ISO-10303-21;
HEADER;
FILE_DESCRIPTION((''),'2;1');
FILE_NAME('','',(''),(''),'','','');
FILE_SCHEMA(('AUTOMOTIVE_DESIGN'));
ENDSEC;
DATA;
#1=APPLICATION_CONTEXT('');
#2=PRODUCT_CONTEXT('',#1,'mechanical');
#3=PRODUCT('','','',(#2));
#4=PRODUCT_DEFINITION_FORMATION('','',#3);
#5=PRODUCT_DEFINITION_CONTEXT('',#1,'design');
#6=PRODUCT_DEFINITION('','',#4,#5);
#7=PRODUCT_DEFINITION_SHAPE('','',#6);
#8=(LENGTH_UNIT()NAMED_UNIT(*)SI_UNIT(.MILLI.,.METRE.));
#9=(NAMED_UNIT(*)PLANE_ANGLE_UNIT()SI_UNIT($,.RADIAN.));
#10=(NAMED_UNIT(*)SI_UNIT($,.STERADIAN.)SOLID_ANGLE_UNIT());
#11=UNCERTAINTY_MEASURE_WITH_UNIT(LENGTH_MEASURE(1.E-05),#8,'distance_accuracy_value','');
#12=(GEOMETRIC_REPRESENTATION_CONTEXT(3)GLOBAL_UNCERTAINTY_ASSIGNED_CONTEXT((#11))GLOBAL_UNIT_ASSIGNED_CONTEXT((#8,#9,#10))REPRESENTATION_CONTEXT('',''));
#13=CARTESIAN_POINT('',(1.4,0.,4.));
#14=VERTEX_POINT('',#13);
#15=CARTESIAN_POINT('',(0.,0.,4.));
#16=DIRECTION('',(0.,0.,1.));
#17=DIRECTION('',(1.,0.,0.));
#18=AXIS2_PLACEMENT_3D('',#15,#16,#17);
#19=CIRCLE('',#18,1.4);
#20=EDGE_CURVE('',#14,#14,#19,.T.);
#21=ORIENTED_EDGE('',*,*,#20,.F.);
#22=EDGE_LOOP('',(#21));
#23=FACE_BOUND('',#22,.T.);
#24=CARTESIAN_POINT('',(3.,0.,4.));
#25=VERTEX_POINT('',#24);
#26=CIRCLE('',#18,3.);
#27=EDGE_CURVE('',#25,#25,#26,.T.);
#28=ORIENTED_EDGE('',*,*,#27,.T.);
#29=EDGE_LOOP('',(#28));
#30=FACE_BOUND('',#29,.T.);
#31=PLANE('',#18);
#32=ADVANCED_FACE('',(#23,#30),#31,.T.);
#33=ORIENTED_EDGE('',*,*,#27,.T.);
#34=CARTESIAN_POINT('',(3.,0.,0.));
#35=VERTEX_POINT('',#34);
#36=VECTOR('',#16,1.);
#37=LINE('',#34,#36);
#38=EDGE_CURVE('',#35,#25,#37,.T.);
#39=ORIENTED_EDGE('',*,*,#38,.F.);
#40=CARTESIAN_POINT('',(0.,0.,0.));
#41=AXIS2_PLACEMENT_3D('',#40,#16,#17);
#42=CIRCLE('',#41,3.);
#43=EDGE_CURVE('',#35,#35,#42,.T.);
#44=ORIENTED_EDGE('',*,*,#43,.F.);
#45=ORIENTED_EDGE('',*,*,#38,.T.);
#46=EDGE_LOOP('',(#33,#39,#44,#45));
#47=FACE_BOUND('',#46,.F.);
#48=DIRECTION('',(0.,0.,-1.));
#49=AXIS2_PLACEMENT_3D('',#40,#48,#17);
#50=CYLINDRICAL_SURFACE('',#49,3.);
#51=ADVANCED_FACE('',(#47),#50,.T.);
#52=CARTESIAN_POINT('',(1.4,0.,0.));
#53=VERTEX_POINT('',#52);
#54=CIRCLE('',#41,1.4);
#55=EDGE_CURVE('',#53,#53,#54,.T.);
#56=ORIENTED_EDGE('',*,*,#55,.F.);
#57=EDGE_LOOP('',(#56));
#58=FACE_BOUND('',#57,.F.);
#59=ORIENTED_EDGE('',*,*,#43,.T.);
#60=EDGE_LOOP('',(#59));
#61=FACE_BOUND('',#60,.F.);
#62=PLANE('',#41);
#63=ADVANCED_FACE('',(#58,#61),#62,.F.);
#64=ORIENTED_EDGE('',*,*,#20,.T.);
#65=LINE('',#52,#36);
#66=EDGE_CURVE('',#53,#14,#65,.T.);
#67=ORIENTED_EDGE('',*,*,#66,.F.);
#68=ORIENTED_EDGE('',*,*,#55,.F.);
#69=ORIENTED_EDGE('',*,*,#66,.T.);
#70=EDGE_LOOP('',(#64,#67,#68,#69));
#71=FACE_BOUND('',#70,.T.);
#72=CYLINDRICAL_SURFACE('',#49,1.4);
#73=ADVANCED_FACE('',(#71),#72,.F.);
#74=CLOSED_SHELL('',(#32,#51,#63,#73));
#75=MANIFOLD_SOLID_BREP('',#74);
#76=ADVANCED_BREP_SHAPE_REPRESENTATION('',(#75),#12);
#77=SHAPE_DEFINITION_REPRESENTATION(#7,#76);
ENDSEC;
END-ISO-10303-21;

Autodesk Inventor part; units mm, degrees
ref_plane "YZ Plane" through (0, 0, 0) normal (1, 0, 0) x (0, 1, 0)
ref_plane "XZ Plane" through (0, 0, 0) normal (0, 1, 0) x (-1, 0, 0)
ref_plane "XY Plane" through (0, 0, 0) normal (0, 0, 1) x (1, 0, 0)
sketch "スケッチ1" plane through (0, 0, 0) normal (0, 0, 1) x (1, 0, 0)
  circle A0 centre (0, 0) radius 3
  circle A1 centre (0, 0) radius 1.4
  dimension "d0" = 6
  dimension "d1" = 2.8
extrude "押し出し1" add sketch "スケッチ1" along normal blind 4
properties part number "4mm" material "アルミニウム"
